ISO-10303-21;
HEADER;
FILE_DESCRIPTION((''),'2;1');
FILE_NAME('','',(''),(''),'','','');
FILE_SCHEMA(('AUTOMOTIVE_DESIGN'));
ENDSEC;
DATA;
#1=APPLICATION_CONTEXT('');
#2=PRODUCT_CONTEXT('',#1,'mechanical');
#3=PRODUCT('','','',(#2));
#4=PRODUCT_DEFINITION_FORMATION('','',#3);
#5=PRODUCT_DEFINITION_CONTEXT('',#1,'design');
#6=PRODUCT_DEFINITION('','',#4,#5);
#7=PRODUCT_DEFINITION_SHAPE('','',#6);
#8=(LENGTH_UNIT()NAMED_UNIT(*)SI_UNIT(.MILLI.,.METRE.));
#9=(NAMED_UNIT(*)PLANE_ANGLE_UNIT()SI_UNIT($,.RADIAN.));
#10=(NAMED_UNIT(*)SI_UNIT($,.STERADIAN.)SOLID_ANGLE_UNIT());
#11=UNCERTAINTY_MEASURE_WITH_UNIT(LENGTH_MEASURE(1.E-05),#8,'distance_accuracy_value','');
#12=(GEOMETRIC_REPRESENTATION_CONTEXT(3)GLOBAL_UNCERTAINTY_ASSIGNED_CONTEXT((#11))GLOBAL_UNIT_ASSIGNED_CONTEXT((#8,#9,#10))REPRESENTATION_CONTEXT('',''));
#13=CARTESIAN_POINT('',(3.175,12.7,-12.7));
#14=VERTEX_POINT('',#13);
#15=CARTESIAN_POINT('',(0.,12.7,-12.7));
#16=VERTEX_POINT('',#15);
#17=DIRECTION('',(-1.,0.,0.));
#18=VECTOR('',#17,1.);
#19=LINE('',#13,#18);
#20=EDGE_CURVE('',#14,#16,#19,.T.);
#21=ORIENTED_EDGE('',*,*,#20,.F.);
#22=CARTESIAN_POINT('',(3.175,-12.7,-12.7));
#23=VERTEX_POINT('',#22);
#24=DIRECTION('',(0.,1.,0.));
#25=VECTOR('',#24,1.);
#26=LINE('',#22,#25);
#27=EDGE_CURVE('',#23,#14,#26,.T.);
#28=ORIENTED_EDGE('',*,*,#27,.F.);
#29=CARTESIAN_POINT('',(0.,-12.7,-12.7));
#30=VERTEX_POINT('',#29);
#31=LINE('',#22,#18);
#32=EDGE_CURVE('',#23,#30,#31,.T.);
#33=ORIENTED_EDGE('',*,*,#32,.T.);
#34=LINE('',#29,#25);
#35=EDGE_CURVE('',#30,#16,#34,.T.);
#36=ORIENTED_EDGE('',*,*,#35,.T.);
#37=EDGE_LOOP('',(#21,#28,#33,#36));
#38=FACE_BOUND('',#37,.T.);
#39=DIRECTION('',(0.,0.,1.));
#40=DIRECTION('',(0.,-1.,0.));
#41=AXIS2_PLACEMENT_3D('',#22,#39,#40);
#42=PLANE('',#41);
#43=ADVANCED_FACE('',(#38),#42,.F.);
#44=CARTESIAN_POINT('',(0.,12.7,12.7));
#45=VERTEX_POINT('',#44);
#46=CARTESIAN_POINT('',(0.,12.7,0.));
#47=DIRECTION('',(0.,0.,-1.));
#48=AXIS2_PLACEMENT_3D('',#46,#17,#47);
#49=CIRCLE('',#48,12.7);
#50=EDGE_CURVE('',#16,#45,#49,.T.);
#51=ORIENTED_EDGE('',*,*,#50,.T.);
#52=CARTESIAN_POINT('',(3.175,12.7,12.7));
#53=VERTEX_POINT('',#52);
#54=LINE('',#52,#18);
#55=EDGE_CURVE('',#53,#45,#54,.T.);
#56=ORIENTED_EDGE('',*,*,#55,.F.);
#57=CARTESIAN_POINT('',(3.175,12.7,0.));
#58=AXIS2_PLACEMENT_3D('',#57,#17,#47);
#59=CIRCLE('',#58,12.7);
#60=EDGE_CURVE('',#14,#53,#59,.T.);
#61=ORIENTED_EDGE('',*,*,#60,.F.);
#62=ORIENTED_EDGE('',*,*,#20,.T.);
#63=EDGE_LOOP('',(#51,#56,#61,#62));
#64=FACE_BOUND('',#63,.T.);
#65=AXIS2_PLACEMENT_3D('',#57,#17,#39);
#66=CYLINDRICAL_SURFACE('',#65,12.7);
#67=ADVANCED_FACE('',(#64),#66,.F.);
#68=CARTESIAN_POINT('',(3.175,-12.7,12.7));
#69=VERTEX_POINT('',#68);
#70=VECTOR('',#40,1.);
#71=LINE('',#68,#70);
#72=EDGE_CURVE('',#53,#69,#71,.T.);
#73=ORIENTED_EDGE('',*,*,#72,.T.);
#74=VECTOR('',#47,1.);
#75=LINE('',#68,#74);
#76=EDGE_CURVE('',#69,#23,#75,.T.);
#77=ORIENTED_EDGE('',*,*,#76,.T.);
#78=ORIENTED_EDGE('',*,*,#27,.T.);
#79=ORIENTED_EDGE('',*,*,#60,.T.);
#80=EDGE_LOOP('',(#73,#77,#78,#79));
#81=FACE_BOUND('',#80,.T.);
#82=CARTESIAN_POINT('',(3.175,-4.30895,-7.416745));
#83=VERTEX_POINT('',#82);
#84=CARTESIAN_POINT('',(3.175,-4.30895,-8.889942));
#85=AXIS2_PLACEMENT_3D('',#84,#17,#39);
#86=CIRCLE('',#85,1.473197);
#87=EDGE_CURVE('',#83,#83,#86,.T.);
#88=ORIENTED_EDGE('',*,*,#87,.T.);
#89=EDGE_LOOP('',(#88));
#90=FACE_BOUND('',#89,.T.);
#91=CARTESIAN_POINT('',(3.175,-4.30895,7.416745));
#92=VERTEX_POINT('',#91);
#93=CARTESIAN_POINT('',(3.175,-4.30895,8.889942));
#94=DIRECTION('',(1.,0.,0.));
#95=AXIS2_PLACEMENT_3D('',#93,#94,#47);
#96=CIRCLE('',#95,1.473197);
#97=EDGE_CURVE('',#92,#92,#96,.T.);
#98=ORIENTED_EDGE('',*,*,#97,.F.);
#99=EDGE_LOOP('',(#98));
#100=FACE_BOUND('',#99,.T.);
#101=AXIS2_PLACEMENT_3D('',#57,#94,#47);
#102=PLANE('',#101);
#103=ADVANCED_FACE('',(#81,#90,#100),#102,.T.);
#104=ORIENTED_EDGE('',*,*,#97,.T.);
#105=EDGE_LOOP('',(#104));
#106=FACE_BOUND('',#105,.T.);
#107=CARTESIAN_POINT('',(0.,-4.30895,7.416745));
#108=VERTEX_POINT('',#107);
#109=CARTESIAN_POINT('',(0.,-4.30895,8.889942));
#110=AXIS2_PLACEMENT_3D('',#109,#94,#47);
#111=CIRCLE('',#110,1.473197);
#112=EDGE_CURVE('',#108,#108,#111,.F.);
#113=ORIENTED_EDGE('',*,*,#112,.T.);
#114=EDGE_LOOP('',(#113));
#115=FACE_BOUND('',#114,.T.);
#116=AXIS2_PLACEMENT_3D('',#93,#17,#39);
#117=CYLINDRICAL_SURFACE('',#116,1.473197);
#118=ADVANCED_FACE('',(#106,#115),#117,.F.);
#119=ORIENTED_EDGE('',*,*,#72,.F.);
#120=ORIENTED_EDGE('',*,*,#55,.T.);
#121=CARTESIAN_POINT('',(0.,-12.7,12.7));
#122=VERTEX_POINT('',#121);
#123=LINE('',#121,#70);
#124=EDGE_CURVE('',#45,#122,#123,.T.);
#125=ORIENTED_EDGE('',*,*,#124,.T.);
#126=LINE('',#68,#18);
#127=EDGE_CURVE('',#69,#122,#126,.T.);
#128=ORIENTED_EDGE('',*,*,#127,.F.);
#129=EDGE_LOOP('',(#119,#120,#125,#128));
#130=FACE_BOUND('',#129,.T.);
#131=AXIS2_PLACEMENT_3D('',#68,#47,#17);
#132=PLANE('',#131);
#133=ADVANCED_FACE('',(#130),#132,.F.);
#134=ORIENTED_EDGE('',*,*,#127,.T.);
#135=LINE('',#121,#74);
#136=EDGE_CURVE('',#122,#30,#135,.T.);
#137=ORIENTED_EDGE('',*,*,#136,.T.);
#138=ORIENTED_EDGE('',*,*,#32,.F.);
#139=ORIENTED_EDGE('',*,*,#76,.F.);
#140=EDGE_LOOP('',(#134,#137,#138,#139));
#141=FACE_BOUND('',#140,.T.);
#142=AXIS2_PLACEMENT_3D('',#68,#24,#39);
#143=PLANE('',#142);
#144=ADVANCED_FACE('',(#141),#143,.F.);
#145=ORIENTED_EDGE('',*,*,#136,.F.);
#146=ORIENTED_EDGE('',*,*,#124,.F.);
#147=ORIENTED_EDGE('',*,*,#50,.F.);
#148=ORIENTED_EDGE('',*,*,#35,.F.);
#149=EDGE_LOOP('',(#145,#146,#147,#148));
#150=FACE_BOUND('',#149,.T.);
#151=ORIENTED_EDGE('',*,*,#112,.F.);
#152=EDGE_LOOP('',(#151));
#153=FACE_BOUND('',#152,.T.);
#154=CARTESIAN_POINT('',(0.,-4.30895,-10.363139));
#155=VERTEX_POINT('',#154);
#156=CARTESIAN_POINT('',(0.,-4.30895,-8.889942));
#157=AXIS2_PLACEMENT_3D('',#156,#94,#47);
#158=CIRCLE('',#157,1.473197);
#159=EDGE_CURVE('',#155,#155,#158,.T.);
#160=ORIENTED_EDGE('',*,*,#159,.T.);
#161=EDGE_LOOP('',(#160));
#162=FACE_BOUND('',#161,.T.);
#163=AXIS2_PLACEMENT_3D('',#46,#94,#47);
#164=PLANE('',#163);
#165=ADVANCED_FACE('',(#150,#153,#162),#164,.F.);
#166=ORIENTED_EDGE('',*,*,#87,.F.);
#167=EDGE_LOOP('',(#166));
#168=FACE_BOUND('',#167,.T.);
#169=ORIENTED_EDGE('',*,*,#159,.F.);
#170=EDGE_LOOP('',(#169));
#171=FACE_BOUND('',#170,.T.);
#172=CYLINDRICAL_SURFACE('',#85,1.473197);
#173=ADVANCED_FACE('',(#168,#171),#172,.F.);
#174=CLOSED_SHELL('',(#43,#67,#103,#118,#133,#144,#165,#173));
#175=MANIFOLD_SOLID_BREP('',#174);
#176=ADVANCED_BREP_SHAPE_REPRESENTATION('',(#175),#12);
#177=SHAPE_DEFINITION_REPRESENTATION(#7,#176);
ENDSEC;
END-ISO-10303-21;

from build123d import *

# Parameters (mm, degrees)
BOSS_EXTRUDE1_DEPTH = 3.175
SKETCH6_R           = 1.473196931
CUT_EXTRUDE2_DEPTH  = 19.238986403


with BuildPart() as part:
    # Sketch1 → Boss-Extrude1 (new body)
    with BuildSketch(Plane(origin=(0, 0, 0), x_dir=(0, 0, -1), z_dir=(1, 0, 0))):
        with BuildLine():
            Line((-12.7, -12.7), (12.7, -12.7))
            Line((12.7, -12.7), (12.7, 12.7))
            ThreePointArc((12.7, 12.7), (0, 0), (-12.7, 12.7))
            Line((-12.7, 12.7), (-12.7, -12.7))
        make_face()
    extrude(amount=BOSS_EXTRUDE1_DEPTH)

    # Sketch6 → Cut-Extrude2 (cut, symmetric)
    with BuildSketch(Plane.ZY):
        with Locations((-8.889941847, -4.308950185)):
            Circle(SKETCH6_R)
    cut_extrude2 = extrude(amount=CUT_EXTRUDE2_DEPTH, both=True, mode=Mode.SUBTRACT)

    # Mirror2: Cut-Extrude2 across plane
    add(cut_extrude2.mirror(Plane.XY), mode=Mode.SUBTRACT)


solid = part.part
